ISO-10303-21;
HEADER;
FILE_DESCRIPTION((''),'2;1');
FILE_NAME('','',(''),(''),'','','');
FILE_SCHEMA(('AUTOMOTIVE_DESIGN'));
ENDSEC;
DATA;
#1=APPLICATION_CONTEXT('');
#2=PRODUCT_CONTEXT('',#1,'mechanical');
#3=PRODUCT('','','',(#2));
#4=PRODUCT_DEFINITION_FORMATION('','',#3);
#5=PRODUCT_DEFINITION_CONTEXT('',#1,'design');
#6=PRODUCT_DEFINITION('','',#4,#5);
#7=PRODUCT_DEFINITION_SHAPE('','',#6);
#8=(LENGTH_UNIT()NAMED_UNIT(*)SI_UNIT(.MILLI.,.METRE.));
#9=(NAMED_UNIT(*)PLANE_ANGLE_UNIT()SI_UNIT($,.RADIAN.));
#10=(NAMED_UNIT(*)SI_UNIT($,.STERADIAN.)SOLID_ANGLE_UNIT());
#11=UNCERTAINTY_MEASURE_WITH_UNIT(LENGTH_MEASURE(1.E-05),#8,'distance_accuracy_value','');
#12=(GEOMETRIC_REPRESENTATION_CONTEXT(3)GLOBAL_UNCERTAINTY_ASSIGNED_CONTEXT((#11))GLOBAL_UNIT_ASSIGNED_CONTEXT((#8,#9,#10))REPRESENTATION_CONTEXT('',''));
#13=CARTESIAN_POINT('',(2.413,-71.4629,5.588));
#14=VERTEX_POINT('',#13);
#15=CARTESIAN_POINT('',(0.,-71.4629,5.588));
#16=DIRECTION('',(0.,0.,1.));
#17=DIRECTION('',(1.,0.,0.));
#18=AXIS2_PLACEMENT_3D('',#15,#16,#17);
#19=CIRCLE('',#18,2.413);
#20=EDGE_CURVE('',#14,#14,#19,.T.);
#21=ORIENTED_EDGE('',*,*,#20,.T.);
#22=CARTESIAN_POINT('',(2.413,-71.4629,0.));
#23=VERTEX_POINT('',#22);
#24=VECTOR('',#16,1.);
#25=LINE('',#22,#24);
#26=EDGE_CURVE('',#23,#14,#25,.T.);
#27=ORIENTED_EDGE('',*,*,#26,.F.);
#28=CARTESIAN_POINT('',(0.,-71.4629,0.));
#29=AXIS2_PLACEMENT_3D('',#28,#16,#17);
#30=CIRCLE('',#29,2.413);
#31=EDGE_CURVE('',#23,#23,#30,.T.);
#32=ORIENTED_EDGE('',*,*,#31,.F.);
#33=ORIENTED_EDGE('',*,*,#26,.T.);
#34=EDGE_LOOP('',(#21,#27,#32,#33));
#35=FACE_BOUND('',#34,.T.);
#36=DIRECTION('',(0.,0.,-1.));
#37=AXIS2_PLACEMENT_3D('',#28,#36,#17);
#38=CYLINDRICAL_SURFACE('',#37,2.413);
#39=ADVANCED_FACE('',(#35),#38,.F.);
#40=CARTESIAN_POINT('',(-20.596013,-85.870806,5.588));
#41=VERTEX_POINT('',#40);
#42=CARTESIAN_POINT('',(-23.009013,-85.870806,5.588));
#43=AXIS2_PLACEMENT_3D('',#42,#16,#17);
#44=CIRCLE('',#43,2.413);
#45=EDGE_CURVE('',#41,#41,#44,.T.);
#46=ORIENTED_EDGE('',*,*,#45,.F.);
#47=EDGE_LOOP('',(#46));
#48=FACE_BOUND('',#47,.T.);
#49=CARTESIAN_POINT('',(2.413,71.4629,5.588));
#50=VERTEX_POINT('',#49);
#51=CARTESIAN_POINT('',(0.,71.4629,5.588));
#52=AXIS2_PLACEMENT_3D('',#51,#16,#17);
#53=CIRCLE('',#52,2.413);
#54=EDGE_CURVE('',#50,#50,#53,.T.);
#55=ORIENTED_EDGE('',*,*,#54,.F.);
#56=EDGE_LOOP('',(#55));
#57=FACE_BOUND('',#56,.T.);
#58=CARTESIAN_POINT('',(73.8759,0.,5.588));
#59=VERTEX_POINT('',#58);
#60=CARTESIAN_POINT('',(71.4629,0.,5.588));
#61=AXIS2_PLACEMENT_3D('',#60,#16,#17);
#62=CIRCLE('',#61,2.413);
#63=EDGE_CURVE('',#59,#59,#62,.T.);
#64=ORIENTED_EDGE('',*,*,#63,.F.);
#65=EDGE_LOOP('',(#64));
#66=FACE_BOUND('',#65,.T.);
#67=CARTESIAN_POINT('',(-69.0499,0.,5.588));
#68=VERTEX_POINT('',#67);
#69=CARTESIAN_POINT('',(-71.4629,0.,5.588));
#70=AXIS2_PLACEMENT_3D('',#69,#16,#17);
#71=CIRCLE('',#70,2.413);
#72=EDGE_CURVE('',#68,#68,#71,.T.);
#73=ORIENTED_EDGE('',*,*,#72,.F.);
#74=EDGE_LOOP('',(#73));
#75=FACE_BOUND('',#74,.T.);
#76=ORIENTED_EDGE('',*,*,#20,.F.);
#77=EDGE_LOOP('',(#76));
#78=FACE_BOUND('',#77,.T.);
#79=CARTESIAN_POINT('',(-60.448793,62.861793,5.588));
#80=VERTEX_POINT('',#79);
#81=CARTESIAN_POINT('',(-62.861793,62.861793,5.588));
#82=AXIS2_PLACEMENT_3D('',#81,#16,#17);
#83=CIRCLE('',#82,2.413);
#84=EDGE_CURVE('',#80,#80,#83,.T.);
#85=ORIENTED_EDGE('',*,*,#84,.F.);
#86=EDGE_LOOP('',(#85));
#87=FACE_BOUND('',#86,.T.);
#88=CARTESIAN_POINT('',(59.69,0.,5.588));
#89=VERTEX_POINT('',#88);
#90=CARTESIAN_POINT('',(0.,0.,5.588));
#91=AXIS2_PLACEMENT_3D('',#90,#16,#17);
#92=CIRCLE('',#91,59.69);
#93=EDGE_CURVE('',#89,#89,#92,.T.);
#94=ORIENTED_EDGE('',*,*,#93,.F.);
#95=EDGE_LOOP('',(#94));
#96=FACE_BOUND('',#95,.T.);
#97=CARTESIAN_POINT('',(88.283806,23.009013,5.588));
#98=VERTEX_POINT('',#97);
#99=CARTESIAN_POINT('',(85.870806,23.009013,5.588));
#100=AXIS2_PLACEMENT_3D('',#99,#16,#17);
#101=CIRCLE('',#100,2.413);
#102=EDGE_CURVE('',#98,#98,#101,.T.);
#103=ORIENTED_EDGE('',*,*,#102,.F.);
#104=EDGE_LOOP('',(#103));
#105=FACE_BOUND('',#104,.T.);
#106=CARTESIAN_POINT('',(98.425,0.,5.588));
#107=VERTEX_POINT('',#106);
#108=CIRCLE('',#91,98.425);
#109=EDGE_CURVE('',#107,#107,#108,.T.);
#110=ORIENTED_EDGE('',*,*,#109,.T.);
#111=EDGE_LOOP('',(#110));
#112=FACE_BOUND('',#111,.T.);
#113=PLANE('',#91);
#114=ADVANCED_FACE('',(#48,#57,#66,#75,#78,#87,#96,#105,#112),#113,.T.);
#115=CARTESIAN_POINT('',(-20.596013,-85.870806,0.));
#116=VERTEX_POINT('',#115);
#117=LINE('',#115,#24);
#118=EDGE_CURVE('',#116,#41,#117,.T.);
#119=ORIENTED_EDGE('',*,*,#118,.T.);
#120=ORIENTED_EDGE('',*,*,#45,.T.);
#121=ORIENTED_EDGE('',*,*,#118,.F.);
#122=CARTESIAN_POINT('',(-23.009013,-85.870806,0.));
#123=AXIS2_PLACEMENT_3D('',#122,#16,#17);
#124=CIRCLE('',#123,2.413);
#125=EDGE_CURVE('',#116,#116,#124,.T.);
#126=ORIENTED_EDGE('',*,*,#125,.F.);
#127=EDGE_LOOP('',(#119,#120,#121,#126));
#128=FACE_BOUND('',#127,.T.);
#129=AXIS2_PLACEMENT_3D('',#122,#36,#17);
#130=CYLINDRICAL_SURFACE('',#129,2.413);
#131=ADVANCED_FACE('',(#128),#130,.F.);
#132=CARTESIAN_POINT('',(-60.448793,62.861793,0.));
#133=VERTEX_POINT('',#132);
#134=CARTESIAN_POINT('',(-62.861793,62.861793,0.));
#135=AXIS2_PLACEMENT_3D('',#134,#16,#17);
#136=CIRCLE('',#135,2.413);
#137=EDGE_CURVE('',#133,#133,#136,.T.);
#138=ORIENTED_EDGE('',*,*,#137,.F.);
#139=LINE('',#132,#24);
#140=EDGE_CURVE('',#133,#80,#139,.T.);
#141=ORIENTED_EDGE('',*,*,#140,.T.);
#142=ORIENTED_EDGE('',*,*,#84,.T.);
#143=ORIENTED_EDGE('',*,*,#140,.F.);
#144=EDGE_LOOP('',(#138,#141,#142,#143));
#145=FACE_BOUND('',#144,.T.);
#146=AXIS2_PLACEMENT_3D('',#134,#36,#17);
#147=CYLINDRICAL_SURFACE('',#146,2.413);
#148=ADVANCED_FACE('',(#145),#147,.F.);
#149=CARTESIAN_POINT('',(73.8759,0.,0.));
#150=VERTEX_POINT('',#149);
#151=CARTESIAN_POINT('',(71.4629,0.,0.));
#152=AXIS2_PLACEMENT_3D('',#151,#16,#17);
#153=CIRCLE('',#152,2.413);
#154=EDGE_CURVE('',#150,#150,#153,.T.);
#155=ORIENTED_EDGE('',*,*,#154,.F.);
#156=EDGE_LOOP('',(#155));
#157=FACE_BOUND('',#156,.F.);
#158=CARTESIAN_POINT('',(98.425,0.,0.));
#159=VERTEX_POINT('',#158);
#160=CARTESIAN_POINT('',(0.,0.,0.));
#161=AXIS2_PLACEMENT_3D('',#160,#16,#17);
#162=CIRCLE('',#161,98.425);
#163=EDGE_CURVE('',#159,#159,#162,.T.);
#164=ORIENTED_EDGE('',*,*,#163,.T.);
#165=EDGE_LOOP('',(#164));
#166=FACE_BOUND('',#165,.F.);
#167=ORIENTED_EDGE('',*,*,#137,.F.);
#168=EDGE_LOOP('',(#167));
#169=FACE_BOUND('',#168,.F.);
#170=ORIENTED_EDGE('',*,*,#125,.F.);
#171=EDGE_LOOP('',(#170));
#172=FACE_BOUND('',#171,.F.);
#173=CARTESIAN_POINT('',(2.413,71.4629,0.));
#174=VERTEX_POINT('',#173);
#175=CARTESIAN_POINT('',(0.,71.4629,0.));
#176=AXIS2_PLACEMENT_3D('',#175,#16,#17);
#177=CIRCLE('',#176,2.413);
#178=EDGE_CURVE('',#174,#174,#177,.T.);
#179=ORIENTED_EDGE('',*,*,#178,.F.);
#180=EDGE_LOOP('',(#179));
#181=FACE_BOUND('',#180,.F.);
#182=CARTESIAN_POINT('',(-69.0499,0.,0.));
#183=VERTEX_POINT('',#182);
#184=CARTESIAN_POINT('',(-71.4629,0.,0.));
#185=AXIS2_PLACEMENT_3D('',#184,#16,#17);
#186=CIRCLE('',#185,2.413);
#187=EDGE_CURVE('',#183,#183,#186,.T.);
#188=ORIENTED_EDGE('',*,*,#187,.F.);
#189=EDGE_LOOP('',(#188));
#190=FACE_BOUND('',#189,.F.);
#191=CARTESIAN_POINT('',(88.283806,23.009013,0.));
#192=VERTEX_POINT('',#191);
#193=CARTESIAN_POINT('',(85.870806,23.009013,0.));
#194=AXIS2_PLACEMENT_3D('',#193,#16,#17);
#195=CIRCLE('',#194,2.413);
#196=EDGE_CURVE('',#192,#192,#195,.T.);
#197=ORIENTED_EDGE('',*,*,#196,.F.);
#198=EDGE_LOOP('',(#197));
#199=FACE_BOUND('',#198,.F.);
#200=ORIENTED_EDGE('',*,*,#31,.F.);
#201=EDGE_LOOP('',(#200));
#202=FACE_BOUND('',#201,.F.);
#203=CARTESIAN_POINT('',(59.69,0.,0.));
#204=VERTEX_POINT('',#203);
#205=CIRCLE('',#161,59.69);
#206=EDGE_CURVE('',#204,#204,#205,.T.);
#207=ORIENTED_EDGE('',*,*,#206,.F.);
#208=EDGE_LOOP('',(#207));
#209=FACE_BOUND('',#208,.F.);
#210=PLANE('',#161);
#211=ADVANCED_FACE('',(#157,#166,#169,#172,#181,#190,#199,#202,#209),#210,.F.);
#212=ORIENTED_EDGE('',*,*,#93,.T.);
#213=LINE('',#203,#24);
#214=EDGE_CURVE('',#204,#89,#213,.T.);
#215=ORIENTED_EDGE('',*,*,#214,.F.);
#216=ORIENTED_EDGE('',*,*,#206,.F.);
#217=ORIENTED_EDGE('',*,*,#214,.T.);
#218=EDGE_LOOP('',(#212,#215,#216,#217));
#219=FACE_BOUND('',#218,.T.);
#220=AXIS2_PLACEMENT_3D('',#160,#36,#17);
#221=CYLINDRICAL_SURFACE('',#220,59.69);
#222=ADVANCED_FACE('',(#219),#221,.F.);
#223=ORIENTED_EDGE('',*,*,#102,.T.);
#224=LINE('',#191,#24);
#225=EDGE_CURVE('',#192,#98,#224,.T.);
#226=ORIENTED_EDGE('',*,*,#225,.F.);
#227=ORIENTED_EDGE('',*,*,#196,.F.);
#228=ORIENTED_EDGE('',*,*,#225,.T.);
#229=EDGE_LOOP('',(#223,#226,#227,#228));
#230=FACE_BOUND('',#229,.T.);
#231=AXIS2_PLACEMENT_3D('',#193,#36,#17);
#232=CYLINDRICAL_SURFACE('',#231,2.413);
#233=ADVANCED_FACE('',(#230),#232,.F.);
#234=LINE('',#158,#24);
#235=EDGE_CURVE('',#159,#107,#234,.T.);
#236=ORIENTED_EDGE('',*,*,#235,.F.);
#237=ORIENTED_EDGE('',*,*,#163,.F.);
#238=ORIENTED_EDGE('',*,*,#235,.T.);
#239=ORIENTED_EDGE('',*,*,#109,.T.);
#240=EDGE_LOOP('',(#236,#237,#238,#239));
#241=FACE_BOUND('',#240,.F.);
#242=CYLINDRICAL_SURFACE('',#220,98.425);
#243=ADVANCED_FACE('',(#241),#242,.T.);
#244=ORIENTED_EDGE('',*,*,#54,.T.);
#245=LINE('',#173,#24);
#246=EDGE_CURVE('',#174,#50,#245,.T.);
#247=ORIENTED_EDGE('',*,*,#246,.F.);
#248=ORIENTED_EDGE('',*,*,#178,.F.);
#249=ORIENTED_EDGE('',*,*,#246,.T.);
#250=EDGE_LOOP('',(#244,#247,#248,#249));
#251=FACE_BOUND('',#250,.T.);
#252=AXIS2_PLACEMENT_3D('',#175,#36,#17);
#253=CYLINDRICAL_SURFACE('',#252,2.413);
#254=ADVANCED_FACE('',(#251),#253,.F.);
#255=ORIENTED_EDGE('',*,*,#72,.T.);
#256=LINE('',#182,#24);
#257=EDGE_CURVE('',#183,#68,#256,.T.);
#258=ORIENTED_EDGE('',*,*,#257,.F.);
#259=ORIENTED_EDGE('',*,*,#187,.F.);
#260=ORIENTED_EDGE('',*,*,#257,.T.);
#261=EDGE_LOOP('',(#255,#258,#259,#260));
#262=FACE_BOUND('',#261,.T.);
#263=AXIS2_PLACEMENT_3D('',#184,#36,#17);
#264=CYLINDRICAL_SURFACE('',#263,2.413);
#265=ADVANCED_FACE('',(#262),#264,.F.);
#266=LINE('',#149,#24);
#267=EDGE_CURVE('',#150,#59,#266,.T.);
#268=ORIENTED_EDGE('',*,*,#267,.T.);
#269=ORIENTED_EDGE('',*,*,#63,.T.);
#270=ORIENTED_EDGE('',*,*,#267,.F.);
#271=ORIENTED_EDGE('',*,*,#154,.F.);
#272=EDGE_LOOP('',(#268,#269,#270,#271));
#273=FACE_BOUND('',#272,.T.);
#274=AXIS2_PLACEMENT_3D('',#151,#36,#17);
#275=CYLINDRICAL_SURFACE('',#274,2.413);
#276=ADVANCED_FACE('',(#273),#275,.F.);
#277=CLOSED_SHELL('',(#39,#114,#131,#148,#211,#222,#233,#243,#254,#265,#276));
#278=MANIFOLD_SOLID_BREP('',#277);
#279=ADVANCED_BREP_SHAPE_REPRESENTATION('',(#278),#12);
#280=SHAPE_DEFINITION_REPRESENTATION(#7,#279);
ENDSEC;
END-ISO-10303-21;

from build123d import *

# Parameters (mm, degrees)
F0_R     = 98.425
F0_R_2   = 2.413
F0_R_3   = 59.69
F1_DEPTH = 5.588


with BuildPart() as f1:
    # F0 (on Top) → F1 (new body)
    with BuildSketch(Plane.XY):
        Circle(F0_R)
        with Locations((-23.009013, -85.870806)):
            Circle(F0_R_2, mode=Mode.SUBTRACT)
        with Locations((0, -71.4629)):
            Circle(F0_R_2, mode=Mode.SUBTRACT)
        with Locations((-71.4629, 0)):
            Circle(F0_R_2, mode=Mode.SUBTRACT)
        with Locations((-62.861793, 62.861793)):
            Circle(F0_R_2, mode=Mode.SUBTRACT)
        Circle(F0_R_3, mode=Mode.SUBTRACT)
        with Locations((71.4629, 0)):
            Circle(F0_R_2, mode=Mode.SUBTRACT)
        with Locations((85.870806, 23.009013)):
            Circle(F0_R_2, mode=Mode.SUBTRACT)
        with Locations((0, 71.4629)):
            Circle(F0_R_2, mode=Mode.SUBTRACT)
    extrude(amount=F1_DEPTH)


solid = f1.part
